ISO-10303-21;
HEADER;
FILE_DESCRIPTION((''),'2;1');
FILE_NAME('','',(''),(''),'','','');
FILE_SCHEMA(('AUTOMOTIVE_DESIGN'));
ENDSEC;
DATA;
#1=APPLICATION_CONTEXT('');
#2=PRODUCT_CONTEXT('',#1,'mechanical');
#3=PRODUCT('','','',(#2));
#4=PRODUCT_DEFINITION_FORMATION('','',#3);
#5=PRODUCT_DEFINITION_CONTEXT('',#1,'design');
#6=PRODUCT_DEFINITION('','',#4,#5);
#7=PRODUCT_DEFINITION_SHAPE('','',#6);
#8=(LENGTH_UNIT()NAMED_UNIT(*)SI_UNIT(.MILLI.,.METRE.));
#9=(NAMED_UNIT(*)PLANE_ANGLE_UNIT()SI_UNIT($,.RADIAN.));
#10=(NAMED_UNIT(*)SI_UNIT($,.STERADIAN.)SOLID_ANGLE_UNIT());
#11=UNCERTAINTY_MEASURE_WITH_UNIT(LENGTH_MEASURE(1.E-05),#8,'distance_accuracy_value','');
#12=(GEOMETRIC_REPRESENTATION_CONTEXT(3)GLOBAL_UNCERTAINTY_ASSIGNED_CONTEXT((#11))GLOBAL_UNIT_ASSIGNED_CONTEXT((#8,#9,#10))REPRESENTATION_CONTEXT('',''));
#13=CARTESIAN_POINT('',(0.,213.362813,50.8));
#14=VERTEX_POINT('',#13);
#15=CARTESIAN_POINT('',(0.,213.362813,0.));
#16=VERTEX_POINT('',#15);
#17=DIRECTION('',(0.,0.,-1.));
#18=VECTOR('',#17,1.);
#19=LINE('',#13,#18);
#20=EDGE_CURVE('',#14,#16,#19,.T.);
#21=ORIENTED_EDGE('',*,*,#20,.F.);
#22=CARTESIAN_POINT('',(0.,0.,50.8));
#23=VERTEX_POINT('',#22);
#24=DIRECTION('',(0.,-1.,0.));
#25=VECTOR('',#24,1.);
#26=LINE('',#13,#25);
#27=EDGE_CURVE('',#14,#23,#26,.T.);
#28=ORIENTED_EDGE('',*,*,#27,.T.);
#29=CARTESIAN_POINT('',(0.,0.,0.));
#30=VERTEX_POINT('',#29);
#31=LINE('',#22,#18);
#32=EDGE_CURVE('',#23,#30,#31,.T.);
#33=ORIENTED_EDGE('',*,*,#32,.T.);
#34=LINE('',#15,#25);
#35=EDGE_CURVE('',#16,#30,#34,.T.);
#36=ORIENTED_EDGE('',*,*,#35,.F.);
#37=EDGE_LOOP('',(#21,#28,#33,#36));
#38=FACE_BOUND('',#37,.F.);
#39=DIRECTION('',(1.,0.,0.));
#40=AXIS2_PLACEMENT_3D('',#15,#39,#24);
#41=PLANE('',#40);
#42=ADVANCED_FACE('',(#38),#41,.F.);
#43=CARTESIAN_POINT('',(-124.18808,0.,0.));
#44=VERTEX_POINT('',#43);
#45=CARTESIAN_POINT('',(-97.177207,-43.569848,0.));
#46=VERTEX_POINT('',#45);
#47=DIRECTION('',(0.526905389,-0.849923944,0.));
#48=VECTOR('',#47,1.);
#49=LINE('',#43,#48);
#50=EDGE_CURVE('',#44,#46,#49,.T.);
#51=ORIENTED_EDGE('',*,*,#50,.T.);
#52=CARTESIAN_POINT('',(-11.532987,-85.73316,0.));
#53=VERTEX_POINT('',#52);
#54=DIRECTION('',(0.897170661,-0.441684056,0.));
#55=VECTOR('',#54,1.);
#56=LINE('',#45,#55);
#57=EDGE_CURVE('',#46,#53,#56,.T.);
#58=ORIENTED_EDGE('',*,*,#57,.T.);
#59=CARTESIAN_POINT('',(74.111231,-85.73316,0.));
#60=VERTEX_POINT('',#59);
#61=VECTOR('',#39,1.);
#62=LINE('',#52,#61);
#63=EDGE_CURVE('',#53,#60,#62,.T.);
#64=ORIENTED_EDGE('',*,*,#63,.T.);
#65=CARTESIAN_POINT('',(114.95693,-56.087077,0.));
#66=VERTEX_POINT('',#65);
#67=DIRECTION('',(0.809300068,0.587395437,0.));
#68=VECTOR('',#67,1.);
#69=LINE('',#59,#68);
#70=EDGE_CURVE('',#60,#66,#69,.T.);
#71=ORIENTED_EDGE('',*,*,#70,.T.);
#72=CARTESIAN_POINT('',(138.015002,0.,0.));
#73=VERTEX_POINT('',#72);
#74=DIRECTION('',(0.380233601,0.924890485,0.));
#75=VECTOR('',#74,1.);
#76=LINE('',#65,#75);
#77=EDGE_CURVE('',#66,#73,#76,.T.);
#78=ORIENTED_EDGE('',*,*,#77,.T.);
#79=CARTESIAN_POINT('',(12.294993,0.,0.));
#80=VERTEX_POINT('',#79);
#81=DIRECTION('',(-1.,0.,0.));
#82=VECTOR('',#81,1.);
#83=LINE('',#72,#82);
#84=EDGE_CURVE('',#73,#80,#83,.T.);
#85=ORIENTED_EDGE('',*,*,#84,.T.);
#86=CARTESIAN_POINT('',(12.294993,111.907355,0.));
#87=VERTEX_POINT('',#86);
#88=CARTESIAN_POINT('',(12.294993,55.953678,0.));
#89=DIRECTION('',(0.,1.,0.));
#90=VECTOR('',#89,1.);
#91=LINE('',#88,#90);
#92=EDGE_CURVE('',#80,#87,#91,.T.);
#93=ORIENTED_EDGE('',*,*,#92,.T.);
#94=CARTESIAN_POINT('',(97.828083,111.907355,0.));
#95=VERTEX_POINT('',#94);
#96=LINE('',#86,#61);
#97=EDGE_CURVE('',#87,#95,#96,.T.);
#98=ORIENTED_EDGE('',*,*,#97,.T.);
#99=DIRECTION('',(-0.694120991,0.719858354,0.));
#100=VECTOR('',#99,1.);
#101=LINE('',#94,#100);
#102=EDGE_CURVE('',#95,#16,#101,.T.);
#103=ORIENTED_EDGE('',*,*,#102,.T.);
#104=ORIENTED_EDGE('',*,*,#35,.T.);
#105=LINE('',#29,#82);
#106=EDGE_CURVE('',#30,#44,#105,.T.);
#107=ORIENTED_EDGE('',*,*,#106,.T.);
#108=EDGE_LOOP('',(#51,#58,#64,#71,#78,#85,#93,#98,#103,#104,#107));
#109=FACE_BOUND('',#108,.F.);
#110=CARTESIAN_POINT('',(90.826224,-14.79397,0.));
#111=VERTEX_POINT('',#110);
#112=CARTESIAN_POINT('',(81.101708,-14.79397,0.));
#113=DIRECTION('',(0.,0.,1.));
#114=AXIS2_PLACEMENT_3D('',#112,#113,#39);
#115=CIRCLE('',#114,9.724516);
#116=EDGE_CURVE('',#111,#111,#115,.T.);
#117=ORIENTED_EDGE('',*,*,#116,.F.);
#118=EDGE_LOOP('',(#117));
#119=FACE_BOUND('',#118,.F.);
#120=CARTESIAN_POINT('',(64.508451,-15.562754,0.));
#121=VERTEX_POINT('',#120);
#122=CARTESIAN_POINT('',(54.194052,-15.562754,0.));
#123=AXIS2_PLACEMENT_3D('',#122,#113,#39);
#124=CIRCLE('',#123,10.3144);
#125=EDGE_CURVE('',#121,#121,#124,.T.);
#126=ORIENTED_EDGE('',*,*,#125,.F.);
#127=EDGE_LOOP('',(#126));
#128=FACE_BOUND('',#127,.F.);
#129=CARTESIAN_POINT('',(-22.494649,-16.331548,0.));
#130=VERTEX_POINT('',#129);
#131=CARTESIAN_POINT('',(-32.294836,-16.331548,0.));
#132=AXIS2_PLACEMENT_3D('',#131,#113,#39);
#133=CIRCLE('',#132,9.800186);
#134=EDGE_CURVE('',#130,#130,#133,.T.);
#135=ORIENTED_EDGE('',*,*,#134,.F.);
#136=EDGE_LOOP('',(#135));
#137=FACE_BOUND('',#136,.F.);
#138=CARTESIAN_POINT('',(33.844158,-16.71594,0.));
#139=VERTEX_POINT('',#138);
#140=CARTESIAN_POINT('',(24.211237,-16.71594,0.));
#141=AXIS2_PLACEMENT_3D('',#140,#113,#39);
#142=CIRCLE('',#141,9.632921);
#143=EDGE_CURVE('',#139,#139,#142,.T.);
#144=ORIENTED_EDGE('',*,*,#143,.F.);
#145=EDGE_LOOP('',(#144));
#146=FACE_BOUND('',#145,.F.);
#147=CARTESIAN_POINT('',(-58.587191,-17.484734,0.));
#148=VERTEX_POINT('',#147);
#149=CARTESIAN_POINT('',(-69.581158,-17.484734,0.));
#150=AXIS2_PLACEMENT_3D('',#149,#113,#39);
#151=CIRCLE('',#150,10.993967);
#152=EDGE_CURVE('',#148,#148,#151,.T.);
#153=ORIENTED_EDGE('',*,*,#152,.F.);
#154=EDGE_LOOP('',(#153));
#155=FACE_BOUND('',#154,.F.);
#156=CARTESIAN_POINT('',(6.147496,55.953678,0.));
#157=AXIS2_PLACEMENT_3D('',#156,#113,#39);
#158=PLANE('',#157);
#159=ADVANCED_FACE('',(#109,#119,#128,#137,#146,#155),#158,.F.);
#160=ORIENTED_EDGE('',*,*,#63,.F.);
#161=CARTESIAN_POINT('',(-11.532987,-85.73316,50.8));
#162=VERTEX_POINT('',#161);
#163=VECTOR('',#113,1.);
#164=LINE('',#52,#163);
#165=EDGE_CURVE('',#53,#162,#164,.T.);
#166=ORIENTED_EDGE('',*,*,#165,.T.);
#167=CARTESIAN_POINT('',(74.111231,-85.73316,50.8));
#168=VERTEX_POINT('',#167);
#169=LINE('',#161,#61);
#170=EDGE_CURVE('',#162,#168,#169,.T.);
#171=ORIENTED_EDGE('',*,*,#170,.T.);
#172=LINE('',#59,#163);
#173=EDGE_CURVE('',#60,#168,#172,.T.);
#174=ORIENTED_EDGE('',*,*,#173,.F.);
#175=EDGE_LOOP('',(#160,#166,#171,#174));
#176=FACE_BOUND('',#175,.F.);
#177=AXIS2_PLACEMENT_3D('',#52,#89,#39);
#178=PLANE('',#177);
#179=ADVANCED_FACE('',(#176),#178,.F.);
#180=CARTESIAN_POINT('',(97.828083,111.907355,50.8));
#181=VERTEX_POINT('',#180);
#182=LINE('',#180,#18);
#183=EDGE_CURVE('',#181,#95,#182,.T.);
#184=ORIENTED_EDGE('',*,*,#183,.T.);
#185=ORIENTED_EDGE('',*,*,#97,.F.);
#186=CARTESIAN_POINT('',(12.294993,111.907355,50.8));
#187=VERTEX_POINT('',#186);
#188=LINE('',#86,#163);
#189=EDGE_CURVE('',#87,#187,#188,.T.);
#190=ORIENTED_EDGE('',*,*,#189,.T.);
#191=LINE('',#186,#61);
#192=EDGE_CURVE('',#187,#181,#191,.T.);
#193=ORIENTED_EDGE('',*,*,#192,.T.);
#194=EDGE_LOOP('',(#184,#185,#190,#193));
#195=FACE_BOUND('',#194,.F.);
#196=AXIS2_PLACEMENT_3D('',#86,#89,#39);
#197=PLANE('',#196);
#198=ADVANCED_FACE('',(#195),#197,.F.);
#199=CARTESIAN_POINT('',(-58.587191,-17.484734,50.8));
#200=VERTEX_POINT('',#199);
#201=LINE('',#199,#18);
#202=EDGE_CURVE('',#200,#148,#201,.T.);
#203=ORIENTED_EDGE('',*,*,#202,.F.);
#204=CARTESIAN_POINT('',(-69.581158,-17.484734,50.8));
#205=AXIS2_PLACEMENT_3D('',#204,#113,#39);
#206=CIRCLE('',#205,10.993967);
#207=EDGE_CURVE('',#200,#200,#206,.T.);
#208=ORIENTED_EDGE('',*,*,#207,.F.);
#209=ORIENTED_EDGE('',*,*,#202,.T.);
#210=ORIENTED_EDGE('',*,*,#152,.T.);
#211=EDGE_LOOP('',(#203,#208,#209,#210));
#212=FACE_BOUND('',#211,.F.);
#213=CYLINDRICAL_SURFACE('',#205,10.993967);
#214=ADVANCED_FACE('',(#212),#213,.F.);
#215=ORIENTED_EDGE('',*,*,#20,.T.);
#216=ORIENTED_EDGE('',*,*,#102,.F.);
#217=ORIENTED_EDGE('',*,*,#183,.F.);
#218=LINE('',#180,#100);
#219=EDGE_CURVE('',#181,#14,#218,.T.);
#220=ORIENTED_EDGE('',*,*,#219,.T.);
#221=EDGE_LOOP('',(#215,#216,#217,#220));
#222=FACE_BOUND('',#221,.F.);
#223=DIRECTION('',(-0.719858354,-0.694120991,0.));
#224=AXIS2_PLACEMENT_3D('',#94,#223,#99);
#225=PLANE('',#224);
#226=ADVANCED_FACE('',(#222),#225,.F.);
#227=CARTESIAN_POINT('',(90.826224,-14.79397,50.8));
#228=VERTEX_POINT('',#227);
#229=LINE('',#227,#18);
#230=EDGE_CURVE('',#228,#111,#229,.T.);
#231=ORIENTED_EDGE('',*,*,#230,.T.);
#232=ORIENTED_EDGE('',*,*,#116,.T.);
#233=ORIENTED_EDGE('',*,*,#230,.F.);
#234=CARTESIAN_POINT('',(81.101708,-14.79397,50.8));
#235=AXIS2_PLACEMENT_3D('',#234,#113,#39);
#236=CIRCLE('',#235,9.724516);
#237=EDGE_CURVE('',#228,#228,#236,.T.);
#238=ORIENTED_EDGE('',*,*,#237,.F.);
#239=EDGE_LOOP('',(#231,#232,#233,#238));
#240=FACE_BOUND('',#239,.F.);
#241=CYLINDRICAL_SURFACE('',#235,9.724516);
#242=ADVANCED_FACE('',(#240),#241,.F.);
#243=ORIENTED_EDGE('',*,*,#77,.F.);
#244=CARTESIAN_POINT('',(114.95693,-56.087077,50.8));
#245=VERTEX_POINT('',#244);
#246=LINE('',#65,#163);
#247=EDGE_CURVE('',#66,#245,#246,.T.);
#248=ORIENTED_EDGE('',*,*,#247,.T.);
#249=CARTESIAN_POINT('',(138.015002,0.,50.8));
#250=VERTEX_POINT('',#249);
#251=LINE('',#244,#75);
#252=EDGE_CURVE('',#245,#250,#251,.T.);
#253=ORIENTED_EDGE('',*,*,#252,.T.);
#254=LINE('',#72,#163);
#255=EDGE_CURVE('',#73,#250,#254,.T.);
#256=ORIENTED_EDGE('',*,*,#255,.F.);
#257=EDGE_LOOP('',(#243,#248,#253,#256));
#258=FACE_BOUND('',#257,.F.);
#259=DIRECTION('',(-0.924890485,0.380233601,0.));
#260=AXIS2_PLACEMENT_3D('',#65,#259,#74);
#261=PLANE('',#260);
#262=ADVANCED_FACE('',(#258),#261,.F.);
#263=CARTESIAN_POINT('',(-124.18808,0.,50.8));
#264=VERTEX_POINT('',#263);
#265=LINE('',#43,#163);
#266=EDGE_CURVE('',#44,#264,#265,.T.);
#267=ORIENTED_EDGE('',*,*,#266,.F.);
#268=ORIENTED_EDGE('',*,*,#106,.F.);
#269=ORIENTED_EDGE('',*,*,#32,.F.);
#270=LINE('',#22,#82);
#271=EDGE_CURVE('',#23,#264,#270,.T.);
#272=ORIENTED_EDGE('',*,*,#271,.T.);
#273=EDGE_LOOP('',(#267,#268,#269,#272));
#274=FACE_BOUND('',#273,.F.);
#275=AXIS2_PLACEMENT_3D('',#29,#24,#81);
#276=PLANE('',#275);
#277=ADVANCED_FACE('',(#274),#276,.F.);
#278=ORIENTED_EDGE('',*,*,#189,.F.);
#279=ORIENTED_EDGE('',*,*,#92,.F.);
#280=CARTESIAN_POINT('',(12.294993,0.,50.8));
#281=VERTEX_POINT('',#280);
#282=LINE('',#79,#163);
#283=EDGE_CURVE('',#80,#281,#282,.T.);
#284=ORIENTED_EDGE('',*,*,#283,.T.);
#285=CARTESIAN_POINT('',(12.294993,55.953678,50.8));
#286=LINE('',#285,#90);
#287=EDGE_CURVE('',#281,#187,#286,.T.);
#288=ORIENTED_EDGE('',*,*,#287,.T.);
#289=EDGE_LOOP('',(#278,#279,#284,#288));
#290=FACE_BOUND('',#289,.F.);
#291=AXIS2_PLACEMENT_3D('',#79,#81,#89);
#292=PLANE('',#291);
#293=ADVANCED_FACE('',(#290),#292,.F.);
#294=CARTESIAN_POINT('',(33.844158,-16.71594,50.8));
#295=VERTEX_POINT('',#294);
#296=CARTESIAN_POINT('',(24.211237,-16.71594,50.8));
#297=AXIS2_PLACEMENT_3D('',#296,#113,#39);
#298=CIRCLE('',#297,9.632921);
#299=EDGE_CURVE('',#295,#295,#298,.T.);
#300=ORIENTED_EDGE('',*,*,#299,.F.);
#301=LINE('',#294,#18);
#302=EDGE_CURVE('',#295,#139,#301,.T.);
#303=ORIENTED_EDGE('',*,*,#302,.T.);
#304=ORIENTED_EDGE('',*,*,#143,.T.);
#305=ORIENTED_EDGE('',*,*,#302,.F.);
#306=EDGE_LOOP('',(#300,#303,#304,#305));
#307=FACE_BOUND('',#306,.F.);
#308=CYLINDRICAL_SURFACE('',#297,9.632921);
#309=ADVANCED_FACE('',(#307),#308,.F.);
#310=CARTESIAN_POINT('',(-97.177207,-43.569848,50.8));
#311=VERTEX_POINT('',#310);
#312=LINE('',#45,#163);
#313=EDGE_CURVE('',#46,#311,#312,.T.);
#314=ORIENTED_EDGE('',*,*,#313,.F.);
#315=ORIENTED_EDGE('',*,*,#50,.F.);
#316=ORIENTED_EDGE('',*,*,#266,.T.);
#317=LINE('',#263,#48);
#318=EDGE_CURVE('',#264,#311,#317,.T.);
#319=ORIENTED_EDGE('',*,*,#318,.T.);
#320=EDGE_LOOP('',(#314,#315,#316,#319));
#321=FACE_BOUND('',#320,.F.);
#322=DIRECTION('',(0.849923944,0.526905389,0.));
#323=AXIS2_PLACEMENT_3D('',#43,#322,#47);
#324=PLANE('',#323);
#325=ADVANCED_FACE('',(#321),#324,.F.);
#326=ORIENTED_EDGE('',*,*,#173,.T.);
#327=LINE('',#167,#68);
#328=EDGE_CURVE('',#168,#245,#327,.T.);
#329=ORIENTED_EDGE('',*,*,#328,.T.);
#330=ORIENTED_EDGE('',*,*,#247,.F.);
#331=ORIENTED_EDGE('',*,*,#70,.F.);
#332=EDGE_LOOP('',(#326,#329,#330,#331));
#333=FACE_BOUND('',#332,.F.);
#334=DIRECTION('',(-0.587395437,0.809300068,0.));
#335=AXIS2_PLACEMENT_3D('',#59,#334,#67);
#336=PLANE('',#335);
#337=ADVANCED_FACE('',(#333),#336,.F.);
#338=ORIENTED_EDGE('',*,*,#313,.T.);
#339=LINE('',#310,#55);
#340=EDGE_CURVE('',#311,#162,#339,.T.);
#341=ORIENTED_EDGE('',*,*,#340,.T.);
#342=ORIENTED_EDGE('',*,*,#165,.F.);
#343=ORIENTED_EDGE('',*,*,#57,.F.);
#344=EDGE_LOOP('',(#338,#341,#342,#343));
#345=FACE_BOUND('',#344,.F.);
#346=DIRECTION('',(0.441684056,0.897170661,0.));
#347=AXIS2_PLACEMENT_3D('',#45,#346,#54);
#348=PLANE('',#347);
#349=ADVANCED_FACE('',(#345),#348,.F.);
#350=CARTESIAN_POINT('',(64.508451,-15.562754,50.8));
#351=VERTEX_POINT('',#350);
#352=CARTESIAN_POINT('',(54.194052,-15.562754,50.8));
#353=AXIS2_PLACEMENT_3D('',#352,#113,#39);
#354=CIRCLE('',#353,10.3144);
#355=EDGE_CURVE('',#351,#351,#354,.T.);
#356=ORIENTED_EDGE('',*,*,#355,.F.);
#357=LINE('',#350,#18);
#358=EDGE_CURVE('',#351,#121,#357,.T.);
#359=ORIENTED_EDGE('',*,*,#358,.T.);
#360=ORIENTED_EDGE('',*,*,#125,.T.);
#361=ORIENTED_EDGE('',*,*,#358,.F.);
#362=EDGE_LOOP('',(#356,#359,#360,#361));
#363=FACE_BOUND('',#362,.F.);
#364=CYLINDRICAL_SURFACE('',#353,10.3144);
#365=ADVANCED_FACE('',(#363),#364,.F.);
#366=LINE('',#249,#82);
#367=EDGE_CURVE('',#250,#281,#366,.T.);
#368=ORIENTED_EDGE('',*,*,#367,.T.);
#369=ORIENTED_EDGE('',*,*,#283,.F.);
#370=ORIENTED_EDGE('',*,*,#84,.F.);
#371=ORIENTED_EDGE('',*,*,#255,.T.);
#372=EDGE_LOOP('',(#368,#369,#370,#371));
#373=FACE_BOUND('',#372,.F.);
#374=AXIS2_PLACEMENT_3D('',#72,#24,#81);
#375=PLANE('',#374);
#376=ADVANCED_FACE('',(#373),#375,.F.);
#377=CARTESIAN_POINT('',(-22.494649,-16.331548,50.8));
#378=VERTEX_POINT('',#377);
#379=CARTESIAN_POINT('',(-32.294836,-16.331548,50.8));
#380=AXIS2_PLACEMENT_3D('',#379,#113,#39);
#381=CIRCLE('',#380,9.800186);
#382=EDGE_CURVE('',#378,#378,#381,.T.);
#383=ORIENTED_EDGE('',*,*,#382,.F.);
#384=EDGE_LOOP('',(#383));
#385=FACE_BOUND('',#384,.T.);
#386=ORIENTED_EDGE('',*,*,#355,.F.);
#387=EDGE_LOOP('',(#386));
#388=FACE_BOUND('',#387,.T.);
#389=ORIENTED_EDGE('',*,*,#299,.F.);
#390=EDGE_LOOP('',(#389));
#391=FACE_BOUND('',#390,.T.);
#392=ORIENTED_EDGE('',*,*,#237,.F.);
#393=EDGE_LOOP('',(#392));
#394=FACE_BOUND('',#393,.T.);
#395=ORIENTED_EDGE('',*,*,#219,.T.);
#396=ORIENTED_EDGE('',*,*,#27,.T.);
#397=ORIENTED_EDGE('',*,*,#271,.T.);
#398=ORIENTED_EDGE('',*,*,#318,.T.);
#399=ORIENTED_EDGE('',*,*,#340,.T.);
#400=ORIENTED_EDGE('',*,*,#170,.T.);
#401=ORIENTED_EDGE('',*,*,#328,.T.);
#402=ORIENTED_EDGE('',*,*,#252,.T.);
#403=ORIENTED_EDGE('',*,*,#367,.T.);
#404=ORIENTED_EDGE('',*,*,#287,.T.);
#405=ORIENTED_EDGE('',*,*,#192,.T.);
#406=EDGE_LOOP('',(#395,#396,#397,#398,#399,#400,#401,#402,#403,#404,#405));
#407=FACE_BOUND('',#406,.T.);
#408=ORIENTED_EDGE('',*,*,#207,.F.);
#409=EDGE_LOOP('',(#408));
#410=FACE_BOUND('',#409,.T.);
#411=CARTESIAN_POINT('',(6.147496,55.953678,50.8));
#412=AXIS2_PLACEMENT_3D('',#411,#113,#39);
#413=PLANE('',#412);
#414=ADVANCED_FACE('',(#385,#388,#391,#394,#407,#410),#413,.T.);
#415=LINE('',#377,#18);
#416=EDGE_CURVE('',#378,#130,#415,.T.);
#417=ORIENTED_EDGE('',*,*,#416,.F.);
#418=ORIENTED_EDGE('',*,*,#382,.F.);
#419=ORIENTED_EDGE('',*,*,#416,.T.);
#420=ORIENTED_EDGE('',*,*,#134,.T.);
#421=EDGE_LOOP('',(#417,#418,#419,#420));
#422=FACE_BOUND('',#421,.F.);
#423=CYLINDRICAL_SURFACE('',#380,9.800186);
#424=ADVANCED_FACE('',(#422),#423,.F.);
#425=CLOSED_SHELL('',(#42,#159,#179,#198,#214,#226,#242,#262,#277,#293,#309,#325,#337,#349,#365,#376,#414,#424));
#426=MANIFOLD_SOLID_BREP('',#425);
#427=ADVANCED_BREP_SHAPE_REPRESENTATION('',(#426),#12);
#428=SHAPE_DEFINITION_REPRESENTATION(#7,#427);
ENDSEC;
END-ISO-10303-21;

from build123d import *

# Parameters (mm, degrees)
F0_W     = 12.2949928045
F0_H     = 111.9073554873
F1_DEPTH = 25.4
F2_DEPTH = 50.8
F3_R     = 9.6329205763
F3_R_2   = 10.3143996585
F3_R_3   = 9.7245159321
F3_R_4   = 10.9939674149
F3_R_5   = 9.8001864777
F4_DEPTH = 50.8


with BuildPart() as f1:
    # F0 (on Top) → F1 (new body)
    with BuildSketch(Plane.XY):
        with Locations((6.1474964023, 55.9536777437)):
            Rectangle(F0_W, F0_H)
        Polygon((12.2949928045, 0), (0, 0), (-124.18808043, 0), (-97.1772074699, -43.5698479414), (-11.5329865366, -85.7331603765), (74.1112306714, -85.7331603765), (114.9569302797, -56.087076664), (138.0150020123, 0), align=None)
        Polygon((0, 213.3628129959), (0, 111.9073554873), (12.2949928045, 111.9073554873), (97.8280827403, 111.9073554873), align=None)
    extrude(amount=F1_DEPTH)

    # F0 (on Top) → F2 (join)
    with BuildSketch(Plane.XY):
        with Locations((6.1474964023, 55.9536777437)):
            Rectangle(F0_W, F0_H)
        Polygon((12.2949928045, 0), (0, 0), (-124.18808043, 0), (-97.1772074699, -43.5698479414), (-11.5329865366, -85.7331603765), (74.1112306714, -85.7331603765), (114.9569302797, -56.087076664), (138.0150020123, 0), align=None)
        Polygon((0, 213.3628129959), (0, 111.9073554873), (12.2949928045, 111.9073554873), (97.8280827403, 111.9073554873), align=None)
    extrude(amount=F2_DEPTH)

    # F3 (on face) → F4 (cut)
    with BuildSketch(Plane.XY.offset(50.8)):
        with Locations((24.2112372071, -16.715940088)):
            Circle(F3_R)
        with Locations((54.1940517724, -15.5627541244)):
            Circle(F3_R_2)
        with Locations((81.1017081141, -14.7939696908)):
            Circle(F3_R_3)
        with Locations((-69.5811584592, -17.4847338349)):
            Circle(F3_R_4)
        with Locations((-32.2948358953, -16.3315478712)):
            Circle(F3_R_5)
    extrude(amount=-F4_DEPTH, mode=Mode.SUBTRACT)


solid = f1.part
